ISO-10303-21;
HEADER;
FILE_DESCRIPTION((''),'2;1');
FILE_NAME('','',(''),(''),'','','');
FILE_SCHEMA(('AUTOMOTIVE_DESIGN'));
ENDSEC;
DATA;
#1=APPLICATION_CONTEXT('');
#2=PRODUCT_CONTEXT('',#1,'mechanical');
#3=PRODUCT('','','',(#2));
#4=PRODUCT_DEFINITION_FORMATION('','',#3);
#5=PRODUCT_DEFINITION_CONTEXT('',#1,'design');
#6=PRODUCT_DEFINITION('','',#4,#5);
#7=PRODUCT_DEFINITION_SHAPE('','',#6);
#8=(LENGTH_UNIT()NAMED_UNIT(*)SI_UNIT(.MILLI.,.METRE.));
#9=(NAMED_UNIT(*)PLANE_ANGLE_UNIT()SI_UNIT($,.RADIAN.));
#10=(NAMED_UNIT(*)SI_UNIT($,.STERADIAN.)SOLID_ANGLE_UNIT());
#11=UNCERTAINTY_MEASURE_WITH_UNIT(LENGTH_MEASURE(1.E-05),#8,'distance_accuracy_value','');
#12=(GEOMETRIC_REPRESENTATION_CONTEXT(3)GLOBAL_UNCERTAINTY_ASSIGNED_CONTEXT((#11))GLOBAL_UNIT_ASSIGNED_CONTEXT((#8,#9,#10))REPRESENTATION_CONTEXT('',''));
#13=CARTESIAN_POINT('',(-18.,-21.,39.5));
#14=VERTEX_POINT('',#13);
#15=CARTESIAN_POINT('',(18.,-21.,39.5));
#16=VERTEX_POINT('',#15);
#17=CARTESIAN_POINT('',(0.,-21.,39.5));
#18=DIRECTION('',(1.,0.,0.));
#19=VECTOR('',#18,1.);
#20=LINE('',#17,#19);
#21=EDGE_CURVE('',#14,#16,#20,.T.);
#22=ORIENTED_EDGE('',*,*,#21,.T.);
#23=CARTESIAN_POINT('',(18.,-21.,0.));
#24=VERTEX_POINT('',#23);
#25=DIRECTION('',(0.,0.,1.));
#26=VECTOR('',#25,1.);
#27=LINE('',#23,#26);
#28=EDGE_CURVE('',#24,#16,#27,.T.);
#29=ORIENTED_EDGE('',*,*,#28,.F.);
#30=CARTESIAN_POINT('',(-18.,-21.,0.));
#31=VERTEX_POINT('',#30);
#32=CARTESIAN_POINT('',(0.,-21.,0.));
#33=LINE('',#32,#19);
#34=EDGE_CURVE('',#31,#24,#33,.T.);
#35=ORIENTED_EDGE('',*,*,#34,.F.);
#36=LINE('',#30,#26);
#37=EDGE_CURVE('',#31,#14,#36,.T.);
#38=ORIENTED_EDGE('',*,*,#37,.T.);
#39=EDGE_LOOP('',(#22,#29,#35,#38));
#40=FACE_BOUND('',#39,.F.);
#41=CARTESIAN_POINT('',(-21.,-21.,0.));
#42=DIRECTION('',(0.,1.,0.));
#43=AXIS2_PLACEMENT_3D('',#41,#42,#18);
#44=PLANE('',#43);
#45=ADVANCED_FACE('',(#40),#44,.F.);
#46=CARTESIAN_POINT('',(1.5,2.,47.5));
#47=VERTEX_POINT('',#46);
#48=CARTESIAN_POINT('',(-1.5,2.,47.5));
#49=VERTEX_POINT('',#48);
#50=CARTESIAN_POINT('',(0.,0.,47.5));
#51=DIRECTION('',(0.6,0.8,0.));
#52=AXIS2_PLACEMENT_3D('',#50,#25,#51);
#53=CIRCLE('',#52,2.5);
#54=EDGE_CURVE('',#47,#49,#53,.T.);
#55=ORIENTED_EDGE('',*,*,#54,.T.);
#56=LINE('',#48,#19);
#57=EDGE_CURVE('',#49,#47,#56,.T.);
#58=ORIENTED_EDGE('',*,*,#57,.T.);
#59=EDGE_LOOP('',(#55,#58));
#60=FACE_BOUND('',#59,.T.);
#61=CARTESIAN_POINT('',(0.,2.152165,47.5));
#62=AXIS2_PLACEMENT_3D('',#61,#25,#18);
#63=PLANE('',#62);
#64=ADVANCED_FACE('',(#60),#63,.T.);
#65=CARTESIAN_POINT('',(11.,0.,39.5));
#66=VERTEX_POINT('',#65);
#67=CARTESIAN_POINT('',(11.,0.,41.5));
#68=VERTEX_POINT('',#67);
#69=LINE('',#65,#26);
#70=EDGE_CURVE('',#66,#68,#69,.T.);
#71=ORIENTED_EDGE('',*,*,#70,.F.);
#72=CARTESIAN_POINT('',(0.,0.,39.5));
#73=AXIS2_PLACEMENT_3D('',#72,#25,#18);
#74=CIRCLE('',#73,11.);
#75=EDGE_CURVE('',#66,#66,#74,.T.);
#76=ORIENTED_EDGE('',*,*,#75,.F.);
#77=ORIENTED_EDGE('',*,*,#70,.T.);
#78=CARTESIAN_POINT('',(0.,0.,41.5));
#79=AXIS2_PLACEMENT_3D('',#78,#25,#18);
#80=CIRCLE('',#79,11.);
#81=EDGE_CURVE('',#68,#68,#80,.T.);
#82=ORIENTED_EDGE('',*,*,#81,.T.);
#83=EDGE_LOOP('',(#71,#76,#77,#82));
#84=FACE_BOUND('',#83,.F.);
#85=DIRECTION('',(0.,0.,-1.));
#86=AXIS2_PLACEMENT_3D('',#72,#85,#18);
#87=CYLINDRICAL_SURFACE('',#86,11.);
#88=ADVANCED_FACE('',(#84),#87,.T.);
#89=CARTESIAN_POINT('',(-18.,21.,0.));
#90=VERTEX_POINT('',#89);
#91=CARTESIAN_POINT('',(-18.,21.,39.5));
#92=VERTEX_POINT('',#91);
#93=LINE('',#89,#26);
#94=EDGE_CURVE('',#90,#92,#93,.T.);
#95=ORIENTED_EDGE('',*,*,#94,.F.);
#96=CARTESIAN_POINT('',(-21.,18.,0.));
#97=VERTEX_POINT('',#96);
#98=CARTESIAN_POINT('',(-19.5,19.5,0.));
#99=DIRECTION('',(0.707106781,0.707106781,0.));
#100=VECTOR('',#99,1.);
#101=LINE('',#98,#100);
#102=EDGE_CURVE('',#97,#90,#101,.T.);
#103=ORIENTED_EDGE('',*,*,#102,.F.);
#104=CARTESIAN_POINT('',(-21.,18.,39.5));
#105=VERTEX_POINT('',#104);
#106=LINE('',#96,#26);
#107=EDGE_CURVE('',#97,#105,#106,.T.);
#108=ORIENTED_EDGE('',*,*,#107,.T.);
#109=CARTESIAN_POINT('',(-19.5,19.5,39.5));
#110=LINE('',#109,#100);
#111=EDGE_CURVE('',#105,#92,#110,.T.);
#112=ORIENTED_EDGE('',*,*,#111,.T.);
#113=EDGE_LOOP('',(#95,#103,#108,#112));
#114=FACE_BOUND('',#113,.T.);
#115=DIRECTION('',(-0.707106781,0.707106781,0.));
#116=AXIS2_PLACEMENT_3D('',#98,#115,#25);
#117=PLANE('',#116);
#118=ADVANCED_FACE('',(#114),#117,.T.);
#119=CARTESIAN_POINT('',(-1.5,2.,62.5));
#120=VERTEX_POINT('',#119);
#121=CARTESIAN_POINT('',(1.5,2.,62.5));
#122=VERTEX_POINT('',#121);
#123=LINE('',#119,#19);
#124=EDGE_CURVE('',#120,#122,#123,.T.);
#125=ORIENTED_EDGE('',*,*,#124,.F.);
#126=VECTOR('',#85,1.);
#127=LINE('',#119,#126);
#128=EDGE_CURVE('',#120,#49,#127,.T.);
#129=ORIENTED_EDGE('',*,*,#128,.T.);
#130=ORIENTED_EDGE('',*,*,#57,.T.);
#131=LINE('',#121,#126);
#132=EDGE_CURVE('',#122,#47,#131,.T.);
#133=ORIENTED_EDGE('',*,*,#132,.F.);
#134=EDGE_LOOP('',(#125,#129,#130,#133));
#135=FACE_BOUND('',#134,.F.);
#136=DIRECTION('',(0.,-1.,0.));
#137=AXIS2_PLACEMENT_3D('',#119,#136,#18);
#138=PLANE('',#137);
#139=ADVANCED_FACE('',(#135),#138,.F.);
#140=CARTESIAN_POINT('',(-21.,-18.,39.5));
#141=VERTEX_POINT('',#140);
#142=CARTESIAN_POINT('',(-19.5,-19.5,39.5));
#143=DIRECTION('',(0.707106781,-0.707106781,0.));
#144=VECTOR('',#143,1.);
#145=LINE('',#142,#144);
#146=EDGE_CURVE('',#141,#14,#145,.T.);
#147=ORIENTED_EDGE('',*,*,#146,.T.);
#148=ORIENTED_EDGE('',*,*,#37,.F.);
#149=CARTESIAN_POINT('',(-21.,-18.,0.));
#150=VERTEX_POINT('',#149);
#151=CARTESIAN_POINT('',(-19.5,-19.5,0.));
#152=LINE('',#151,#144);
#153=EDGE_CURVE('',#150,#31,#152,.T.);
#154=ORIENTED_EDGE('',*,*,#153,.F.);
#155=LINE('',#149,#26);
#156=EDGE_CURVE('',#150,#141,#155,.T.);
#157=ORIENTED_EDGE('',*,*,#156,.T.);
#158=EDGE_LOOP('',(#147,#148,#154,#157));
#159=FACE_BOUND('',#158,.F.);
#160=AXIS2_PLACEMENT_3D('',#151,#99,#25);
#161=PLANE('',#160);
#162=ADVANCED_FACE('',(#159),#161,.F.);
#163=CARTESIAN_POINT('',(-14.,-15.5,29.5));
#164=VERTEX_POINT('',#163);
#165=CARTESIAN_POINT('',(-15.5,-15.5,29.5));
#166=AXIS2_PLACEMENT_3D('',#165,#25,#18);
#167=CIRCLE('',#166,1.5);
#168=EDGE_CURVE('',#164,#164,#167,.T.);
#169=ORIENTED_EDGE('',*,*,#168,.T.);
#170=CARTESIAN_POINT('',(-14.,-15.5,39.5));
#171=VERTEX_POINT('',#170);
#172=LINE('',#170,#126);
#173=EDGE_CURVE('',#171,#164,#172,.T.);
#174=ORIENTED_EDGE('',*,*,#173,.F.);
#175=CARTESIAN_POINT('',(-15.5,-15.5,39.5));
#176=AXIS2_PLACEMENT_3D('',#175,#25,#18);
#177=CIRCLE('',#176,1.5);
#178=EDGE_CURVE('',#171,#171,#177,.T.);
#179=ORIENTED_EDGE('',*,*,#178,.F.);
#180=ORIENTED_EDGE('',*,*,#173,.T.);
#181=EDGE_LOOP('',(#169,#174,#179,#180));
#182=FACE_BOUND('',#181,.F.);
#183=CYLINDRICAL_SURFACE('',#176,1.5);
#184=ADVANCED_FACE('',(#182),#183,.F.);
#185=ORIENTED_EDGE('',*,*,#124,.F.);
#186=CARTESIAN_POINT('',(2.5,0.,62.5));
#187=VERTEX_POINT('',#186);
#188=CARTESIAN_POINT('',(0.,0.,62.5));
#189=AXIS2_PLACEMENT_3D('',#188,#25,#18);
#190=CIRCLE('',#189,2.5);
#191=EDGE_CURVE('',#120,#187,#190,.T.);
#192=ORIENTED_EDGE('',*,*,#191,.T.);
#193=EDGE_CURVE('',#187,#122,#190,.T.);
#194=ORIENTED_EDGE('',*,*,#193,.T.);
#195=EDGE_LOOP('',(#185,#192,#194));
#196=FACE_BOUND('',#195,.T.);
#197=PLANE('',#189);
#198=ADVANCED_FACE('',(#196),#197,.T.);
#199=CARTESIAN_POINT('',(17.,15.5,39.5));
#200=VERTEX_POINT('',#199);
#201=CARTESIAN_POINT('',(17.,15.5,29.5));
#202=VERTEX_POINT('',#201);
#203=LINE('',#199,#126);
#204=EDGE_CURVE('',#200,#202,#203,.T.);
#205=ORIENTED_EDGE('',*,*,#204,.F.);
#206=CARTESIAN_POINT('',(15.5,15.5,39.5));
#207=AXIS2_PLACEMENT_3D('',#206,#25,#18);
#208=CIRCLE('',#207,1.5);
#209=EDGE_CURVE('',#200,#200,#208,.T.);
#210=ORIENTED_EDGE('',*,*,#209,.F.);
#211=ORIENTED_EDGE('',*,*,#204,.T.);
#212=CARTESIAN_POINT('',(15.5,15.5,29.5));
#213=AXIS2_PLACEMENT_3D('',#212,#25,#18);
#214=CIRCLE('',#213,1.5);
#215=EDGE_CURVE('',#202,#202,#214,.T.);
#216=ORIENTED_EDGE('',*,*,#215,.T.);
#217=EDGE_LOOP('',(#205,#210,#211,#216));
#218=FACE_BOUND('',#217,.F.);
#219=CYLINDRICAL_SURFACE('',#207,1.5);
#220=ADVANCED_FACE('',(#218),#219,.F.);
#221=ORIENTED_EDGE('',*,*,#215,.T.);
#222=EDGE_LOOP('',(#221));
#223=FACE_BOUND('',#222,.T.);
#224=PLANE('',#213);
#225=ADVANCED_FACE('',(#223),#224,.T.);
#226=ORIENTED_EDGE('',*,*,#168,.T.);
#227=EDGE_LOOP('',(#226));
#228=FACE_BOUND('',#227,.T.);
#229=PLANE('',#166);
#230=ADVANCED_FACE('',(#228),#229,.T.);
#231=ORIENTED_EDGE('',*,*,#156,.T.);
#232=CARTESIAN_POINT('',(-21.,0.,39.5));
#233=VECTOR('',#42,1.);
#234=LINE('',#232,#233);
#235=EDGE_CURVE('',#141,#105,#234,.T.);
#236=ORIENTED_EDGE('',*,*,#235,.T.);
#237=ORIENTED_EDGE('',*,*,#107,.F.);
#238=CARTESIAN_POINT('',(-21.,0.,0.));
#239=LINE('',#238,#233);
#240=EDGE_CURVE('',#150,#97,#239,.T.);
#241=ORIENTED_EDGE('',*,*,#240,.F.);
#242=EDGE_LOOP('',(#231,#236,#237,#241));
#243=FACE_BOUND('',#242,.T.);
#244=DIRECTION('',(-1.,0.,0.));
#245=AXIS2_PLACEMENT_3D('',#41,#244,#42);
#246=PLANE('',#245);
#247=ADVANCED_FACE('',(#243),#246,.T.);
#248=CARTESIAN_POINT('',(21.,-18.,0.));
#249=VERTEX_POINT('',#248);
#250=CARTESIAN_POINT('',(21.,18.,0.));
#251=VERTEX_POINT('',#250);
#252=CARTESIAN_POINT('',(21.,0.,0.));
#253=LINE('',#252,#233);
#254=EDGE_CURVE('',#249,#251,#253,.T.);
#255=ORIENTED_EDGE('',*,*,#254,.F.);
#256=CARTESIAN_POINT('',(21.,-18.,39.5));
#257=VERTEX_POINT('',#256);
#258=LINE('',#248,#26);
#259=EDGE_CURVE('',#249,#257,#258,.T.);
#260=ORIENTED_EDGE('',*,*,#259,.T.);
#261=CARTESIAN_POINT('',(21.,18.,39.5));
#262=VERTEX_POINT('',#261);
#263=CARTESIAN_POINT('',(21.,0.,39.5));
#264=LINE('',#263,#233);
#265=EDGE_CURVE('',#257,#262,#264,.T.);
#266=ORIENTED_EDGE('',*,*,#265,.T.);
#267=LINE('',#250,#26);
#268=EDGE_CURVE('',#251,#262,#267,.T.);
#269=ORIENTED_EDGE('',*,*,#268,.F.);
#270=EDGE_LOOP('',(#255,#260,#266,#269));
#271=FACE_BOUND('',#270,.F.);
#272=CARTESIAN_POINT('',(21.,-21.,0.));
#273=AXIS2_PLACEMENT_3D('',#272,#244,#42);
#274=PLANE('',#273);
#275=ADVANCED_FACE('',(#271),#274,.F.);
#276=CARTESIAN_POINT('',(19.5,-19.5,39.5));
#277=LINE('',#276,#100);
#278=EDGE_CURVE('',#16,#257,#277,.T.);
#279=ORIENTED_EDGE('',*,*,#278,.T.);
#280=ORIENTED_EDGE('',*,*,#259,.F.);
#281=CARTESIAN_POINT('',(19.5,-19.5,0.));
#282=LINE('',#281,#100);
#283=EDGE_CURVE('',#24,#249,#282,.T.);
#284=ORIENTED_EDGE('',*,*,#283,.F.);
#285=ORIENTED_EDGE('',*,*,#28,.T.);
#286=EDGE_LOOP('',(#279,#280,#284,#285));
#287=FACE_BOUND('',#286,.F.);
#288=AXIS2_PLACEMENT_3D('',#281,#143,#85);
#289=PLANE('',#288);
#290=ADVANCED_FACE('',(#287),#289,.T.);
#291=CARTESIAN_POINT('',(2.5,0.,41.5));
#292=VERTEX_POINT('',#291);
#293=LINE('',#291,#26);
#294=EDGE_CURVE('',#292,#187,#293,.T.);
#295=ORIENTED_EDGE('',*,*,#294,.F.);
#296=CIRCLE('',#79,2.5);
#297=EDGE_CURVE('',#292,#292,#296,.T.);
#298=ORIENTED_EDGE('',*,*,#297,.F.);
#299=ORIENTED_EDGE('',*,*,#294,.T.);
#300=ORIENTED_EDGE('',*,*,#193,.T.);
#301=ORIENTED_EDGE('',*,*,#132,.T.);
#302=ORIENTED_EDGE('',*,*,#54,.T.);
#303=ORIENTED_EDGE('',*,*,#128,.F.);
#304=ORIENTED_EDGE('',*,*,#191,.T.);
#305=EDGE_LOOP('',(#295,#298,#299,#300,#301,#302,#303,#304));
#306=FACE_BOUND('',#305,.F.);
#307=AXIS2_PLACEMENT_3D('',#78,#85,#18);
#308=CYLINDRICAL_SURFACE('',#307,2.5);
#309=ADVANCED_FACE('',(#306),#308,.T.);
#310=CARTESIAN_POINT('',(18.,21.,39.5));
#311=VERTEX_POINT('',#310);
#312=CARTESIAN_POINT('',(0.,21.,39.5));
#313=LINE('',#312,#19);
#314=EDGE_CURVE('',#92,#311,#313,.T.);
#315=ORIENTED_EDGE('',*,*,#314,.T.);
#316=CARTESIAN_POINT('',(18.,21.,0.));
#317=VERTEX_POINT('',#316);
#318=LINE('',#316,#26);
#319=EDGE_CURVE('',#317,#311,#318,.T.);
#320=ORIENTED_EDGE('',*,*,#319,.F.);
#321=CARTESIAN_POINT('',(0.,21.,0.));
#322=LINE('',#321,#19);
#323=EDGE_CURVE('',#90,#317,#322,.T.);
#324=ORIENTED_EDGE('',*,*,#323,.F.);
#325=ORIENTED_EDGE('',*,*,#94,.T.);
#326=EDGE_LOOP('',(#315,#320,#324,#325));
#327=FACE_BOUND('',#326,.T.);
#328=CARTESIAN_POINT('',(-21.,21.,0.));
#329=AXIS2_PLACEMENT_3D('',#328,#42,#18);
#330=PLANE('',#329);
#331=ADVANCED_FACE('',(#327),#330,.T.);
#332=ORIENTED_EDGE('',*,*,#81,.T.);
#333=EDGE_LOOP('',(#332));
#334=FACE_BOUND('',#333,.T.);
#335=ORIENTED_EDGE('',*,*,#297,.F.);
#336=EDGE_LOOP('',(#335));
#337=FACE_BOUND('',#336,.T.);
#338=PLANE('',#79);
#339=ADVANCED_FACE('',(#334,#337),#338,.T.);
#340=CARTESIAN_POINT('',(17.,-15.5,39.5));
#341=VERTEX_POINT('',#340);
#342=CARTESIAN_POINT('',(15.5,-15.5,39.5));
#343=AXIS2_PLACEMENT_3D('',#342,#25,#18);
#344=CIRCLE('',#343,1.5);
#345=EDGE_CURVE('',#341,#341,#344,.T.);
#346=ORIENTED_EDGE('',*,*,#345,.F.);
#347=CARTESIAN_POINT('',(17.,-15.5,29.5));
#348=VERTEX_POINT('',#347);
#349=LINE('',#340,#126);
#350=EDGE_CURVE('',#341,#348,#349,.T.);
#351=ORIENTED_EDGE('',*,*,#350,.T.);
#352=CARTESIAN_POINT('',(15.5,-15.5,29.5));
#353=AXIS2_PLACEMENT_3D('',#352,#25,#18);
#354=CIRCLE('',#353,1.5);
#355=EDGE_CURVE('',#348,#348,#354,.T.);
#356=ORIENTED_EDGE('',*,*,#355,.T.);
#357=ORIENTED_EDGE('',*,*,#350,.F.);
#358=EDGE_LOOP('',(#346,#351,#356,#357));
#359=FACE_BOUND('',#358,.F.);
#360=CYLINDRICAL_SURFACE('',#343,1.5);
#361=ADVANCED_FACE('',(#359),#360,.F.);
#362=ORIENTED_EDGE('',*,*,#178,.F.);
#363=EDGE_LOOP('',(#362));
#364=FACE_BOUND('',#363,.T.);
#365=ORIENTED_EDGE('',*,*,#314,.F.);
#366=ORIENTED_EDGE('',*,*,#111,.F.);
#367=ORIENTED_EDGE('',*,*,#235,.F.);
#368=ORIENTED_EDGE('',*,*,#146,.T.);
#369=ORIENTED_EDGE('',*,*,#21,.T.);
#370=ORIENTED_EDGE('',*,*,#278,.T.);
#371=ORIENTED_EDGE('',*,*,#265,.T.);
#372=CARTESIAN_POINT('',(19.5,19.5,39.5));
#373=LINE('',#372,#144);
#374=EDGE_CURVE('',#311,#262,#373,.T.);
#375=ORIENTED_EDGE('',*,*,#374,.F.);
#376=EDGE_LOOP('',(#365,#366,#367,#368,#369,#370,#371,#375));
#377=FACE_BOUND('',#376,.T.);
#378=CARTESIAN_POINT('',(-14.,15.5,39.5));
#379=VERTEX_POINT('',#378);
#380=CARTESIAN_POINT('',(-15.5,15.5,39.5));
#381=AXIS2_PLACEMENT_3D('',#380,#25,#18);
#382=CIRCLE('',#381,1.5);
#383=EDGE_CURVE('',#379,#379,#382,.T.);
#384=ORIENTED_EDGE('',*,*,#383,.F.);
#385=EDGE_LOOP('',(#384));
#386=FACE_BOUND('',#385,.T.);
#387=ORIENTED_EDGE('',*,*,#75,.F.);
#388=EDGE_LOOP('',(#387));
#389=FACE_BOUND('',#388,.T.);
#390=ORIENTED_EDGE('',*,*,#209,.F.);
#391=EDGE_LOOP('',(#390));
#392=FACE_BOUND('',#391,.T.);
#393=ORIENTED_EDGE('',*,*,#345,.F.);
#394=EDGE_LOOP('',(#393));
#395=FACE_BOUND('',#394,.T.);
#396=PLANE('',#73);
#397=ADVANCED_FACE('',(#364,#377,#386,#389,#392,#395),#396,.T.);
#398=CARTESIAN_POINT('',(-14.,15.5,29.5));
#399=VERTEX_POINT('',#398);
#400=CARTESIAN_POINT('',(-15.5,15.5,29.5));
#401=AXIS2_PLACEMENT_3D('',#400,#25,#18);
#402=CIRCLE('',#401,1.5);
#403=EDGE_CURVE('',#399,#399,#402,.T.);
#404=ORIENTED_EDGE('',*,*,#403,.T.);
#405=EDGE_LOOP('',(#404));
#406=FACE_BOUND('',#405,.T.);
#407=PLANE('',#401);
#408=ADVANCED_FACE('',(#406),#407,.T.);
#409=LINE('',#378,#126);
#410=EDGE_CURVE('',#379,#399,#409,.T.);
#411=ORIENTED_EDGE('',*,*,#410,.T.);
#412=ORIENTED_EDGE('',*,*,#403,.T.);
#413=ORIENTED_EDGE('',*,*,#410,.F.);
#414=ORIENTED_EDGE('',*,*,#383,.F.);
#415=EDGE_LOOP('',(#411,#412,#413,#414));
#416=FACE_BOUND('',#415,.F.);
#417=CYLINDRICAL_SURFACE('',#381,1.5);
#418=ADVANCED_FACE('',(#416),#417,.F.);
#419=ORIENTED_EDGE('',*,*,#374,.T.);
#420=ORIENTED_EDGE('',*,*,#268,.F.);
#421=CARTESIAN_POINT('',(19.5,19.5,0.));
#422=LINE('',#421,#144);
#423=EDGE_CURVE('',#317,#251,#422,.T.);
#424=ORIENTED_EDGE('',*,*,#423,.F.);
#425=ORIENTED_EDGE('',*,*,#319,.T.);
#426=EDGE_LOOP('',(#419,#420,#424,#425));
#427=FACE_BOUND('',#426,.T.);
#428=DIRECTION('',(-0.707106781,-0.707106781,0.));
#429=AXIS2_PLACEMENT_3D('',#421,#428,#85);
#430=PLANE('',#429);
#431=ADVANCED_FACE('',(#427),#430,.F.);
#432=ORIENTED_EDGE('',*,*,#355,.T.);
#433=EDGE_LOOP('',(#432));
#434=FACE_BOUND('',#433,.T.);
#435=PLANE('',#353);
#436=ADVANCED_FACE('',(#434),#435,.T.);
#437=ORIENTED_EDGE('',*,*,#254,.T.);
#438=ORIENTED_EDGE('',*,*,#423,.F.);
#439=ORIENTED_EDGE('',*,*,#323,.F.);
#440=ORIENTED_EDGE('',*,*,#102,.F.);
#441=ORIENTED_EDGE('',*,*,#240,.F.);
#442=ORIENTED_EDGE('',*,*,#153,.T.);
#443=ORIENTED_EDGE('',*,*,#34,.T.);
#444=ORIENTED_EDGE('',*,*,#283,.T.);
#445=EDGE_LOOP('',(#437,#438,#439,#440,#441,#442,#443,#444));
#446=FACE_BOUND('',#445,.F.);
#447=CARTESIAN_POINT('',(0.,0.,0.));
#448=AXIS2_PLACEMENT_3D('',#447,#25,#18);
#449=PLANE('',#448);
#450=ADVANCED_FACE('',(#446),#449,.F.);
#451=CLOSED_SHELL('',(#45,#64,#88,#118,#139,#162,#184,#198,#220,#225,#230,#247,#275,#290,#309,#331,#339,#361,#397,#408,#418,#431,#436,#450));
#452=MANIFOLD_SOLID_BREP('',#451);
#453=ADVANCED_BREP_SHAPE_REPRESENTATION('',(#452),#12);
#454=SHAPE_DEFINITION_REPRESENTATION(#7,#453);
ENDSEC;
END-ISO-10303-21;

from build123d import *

# Parameters (mm, degrees)
F0_W     = 42
F0_H     = 42
F1_DEPTH = 39.5
F2_R     = 1.5
F3_DEPTH = 10
F2_R_2   = 11
F4_DEPTH = 2
F5_R     = 2.5
F6_DEPTH = 21
F8_DEPTH = 15
F9_SIZE  = 3


with BuildPart() as f1:
    # F0 (on Top) → F1 (new body)
    with BuildSketch(Plane.XY):
        Rectangle(F0_W, F0_H)
    extrude(amount=F1_DEPTH)

    # F2 (on face) → F3 (cut)
    with BuildSketch(Plane.XY.offset(39.5)):
        with Locations((-15.5, -15.5)):
            Circle(F2_R)
        with Locations((-15.5, 15.5)):
            Circle(F2_R)
        with Locations((15.5, 15.5)):
            Circle(F2_R)
        with Locations((15.5, -15.5)):
            Circle(F2_R)
    extrude(amount=-F3_DEPTH, mode=Mode.SUBTRACT)

    # F2 (on face) → F4 (join)
    with BuildSketch(Plane.XY.offset(39.5)):
        Circle(F2_R_2)
    extrude(amount=F4_DEPTH)

    # F5 (on face) → F6 (join)
    with BuildSketch(Plane.XY.offset(41.5)):
        Circle(F5_R)
    extrude(amount=F6_DEPTH)

    # F7 (on face) → F8 (cut)
    with BuildSketch(Plane.XY.offset(62.5)):
        with BuildLine():
            ThreePointArc((1.5, 2), (0, 2.5), (-1.5, 2))
            Line((-1.5, 2), (1.5, 2))
        make_face()
    extrude(amount=-F8_DEPTH, mode=Mode.SUBTRACT)

    # F9
    f9_edges = [f1.edges().sort_by_distance(p)[0] for p in [
        (21, -21, 19.75),
        (21, 21, 19.75),
        (-21, -21, 19.75),
        (-21, 21, 19.75),
    ]]
    chamfer(f9_edges, length=F9_SIZE)


solid = f1.part
